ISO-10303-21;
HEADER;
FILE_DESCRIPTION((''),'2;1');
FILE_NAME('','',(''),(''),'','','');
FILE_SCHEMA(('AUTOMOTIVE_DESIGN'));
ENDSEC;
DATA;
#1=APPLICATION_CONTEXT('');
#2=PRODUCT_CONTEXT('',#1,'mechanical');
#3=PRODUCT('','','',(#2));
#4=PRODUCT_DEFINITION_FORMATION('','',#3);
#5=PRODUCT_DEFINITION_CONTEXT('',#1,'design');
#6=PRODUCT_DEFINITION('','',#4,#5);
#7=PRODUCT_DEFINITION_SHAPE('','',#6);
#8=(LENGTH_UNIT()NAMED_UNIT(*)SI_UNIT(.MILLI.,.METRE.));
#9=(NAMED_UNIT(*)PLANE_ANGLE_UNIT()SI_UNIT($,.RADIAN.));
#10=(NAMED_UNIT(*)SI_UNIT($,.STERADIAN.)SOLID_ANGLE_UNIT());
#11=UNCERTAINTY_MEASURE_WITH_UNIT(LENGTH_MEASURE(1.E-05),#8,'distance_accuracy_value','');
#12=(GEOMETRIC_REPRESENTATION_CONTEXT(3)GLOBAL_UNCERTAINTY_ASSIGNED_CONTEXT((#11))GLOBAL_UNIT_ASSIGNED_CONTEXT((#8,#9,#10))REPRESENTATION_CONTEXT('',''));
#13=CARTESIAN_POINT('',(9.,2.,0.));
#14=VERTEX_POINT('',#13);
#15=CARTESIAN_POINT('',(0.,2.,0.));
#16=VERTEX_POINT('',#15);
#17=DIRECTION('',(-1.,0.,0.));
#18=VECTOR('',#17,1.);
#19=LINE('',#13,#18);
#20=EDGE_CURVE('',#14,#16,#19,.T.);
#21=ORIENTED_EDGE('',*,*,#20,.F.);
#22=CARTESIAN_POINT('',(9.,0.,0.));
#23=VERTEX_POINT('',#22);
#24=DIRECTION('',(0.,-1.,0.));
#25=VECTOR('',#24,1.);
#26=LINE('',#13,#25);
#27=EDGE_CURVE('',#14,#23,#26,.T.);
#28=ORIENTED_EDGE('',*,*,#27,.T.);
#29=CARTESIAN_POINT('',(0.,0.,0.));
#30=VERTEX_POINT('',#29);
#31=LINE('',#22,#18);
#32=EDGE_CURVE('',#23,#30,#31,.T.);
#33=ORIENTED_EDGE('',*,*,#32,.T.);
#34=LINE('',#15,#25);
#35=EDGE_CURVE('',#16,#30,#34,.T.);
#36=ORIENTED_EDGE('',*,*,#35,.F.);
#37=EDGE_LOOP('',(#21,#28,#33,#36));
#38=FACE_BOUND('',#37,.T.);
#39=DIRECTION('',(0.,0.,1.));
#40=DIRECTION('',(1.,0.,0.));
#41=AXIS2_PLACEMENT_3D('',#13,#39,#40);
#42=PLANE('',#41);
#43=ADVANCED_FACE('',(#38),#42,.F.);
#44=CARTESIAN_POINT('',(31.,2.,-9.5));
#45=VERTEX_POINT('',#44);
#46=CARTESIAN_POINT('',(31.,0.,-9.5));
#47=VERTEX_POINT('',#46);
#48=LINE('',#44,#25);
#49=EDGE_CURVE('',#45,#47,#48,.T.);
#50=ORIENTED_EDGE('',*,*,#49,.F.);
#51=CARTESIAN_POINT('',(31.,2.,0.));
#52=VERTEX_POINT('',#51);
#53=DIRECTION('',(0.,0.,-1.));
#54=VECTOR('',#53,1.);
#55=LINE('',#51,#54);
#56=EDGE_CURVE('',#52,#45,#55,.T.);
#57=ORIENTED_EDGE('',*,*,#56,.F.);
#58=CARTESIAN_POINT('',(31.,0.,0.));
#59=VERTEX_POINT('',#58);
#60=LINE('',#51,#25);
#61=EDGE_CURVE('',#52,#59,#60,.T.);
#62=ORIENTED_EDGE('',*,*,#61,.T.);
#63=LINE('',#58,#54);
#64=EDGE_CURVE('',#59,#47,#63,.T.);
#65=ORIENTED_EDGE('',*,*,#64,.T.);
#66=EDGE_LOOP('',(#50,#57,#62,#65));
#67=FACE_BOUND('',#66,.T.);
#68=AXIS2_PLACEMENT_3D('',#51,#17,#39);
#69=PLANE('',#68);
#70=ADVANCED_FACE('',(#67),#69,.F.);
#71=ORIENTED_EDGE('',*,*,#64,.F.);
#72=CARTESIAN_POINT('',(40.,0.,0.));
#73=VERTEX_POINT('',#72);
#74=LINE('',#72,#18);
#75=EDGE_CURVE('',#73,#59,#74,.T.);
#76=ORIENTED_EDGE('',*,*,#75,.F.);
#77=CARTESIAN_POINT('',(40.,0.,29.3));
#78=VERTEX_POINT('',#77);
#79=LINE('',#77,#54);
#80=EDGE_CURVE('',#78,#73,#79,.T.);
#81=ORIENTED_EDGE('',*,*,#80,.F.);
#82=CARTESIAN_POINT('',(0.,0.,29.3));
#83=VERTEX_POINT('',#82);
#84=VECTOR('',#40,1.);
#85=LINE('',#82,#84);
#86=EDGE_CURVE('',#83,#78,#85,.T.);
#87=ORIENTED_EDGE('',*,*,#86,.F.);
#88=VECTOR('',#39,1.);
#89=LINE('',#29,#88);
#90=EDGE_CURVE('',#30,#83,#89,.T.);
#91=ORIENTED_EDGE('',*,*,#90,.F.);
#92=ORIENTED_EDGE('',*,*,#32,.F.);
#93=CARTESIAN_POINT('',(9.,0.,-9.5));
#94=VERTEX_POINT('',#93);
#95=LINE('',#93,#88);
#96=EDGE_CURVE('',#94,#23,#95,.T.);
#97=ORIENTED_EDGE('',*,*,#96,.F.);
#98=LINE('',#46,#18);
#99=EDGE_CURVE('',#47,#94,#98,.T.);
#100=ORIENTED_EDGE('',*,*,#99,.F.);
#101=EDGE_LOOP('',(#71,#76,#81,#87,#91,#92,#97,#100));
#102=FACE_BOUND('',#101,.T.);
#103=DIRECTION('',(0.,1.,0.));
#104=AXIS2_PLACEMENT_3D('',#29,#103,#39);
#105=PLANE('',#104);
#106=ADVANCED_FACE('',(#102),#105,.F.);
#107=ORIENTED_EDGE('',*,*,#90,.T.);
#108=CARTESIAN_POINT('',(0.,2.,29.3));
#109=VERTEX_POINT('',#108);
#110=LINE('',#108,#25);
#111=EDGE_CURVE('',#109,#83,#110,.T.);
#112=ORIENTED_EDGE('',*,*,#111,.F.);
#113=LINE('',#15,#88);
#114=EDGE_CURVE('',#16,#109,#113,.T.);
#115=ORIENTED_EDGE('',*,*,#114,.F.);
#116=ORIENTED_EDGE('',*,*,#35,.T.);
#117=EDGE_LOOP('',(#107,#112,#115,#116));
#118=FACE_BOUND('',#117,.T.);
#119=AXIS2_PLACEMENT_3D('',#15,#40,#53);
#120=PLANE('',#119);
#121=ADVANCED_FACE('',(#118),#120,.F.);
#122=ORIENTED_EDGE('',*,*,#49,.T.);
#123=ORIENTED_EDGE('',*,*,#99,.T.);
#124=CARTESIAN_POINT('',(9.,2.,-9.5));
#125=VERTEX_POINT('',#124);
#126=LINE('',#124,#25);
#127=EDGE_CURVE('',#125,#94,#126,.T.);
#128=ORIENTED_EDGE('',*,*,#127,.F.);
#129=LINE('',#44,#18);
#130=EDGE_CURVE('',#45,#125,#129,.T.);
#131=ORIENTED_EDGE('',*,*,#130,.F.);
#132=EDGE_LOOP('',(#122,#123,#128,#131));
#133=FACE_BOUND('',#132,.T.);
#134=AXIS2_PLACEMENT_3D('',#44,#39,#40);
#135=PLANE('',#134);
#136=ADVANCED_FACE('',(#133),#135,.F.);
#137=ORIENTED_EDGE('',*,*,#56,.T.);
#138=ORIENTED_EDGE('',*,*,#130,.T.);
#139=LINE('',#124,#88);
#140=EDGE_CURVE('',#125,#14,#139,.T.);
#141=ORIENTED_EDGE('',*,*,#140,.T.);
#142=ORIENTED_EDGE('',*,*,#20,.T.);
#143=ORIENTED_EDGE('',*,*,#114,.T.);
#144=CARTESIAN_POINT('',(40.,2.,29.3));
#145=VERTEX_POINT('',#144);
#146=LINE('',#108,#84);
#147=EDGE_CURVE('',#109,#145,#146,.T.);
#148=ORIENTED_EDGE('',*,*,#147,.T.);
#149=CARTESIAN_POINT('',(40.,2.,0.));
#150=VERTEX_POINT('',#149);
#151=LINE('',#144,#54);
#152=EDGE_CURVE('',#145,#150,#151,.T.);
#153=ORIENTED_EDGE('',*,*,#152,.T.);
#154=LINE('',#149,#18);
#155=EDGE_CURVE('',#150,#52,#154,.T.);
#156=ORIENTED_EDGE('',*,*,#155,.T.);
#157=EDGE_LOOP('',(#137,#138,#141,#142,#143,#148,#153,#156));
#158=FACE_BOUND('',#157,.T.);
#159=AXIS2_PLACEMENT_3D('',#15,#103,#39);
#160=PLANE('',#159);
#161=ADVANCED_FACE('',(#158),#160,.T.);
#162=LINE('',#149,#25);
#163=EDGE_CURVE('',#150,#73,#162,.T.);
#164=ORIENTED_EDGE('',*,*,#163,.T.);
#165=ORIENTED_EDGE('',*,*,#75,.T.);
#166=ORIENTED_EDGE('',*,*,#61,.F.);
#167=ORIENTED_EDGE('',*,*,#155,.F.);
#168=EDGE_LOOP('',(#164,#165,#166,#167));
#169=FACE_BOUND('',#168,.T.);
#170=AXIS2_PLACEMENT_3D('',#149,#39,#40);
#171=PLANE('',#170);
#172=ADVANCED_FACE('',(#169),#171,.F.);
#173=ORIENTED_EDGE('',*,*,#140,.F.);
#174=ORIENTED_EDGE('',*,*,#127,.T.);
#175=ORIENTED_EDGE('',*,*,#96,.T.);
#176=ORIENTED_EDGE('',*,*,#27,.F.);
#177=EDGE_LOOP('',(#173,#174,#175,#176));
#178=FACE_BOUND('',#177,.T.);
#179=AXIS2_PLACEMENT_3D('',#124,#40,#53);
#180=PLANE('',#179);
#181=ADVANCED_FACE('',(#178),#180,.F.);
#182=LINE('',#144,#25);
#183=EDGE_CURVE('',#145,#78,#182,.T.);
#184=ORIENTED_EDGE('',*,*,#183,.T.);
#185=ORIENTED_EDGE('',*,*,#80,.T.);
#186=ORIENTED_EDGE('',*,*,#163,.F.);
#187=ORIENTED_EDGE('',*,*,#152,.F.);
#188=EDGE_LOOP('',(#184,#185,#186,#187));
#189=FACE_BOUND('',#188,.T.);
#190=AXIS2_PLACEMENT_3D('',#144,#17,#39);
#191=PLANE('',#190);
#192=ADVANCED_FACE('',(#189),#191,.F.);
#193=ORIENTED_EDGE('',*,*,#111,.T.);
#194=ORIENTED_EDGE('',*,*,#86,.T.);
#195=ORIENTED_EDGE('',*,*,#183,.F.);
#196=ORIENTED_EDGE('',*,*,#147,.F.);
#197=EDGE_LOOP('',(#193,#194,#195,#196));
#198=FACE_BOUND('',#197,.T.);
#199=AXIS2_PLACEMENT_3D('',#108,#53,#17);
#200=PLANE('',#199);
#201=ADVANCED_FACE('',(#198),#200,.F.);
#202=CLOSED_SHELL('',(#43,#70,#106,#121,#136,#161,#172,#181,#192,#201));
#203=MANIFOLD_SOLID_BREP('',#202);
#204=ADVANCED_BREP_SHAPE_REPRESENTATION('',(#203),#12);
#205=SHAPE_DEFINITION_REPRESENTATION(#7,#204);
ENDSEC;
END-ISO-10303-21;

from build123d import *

# Parameters (mm, degrees)
EXTRUDE_1_DEPTH = 2


with BuildPart() as part:
    # 草图1 → 凸台-拉伸1 (new body)
    with BuildSketch(Plane(origin=(0, 0, 0), x_dir=(1, 0, 0), z_dir=(0, 1, 0))):
        Polygon((0, 0), (0, -29.3), (40, -29.3), (40, 0), (31, 0), (31, 9.5), (9, 9.5), (9, 0), align=None)
    extrude(amount=EXTRUDE_1_DEPTH)


solid = part.part
